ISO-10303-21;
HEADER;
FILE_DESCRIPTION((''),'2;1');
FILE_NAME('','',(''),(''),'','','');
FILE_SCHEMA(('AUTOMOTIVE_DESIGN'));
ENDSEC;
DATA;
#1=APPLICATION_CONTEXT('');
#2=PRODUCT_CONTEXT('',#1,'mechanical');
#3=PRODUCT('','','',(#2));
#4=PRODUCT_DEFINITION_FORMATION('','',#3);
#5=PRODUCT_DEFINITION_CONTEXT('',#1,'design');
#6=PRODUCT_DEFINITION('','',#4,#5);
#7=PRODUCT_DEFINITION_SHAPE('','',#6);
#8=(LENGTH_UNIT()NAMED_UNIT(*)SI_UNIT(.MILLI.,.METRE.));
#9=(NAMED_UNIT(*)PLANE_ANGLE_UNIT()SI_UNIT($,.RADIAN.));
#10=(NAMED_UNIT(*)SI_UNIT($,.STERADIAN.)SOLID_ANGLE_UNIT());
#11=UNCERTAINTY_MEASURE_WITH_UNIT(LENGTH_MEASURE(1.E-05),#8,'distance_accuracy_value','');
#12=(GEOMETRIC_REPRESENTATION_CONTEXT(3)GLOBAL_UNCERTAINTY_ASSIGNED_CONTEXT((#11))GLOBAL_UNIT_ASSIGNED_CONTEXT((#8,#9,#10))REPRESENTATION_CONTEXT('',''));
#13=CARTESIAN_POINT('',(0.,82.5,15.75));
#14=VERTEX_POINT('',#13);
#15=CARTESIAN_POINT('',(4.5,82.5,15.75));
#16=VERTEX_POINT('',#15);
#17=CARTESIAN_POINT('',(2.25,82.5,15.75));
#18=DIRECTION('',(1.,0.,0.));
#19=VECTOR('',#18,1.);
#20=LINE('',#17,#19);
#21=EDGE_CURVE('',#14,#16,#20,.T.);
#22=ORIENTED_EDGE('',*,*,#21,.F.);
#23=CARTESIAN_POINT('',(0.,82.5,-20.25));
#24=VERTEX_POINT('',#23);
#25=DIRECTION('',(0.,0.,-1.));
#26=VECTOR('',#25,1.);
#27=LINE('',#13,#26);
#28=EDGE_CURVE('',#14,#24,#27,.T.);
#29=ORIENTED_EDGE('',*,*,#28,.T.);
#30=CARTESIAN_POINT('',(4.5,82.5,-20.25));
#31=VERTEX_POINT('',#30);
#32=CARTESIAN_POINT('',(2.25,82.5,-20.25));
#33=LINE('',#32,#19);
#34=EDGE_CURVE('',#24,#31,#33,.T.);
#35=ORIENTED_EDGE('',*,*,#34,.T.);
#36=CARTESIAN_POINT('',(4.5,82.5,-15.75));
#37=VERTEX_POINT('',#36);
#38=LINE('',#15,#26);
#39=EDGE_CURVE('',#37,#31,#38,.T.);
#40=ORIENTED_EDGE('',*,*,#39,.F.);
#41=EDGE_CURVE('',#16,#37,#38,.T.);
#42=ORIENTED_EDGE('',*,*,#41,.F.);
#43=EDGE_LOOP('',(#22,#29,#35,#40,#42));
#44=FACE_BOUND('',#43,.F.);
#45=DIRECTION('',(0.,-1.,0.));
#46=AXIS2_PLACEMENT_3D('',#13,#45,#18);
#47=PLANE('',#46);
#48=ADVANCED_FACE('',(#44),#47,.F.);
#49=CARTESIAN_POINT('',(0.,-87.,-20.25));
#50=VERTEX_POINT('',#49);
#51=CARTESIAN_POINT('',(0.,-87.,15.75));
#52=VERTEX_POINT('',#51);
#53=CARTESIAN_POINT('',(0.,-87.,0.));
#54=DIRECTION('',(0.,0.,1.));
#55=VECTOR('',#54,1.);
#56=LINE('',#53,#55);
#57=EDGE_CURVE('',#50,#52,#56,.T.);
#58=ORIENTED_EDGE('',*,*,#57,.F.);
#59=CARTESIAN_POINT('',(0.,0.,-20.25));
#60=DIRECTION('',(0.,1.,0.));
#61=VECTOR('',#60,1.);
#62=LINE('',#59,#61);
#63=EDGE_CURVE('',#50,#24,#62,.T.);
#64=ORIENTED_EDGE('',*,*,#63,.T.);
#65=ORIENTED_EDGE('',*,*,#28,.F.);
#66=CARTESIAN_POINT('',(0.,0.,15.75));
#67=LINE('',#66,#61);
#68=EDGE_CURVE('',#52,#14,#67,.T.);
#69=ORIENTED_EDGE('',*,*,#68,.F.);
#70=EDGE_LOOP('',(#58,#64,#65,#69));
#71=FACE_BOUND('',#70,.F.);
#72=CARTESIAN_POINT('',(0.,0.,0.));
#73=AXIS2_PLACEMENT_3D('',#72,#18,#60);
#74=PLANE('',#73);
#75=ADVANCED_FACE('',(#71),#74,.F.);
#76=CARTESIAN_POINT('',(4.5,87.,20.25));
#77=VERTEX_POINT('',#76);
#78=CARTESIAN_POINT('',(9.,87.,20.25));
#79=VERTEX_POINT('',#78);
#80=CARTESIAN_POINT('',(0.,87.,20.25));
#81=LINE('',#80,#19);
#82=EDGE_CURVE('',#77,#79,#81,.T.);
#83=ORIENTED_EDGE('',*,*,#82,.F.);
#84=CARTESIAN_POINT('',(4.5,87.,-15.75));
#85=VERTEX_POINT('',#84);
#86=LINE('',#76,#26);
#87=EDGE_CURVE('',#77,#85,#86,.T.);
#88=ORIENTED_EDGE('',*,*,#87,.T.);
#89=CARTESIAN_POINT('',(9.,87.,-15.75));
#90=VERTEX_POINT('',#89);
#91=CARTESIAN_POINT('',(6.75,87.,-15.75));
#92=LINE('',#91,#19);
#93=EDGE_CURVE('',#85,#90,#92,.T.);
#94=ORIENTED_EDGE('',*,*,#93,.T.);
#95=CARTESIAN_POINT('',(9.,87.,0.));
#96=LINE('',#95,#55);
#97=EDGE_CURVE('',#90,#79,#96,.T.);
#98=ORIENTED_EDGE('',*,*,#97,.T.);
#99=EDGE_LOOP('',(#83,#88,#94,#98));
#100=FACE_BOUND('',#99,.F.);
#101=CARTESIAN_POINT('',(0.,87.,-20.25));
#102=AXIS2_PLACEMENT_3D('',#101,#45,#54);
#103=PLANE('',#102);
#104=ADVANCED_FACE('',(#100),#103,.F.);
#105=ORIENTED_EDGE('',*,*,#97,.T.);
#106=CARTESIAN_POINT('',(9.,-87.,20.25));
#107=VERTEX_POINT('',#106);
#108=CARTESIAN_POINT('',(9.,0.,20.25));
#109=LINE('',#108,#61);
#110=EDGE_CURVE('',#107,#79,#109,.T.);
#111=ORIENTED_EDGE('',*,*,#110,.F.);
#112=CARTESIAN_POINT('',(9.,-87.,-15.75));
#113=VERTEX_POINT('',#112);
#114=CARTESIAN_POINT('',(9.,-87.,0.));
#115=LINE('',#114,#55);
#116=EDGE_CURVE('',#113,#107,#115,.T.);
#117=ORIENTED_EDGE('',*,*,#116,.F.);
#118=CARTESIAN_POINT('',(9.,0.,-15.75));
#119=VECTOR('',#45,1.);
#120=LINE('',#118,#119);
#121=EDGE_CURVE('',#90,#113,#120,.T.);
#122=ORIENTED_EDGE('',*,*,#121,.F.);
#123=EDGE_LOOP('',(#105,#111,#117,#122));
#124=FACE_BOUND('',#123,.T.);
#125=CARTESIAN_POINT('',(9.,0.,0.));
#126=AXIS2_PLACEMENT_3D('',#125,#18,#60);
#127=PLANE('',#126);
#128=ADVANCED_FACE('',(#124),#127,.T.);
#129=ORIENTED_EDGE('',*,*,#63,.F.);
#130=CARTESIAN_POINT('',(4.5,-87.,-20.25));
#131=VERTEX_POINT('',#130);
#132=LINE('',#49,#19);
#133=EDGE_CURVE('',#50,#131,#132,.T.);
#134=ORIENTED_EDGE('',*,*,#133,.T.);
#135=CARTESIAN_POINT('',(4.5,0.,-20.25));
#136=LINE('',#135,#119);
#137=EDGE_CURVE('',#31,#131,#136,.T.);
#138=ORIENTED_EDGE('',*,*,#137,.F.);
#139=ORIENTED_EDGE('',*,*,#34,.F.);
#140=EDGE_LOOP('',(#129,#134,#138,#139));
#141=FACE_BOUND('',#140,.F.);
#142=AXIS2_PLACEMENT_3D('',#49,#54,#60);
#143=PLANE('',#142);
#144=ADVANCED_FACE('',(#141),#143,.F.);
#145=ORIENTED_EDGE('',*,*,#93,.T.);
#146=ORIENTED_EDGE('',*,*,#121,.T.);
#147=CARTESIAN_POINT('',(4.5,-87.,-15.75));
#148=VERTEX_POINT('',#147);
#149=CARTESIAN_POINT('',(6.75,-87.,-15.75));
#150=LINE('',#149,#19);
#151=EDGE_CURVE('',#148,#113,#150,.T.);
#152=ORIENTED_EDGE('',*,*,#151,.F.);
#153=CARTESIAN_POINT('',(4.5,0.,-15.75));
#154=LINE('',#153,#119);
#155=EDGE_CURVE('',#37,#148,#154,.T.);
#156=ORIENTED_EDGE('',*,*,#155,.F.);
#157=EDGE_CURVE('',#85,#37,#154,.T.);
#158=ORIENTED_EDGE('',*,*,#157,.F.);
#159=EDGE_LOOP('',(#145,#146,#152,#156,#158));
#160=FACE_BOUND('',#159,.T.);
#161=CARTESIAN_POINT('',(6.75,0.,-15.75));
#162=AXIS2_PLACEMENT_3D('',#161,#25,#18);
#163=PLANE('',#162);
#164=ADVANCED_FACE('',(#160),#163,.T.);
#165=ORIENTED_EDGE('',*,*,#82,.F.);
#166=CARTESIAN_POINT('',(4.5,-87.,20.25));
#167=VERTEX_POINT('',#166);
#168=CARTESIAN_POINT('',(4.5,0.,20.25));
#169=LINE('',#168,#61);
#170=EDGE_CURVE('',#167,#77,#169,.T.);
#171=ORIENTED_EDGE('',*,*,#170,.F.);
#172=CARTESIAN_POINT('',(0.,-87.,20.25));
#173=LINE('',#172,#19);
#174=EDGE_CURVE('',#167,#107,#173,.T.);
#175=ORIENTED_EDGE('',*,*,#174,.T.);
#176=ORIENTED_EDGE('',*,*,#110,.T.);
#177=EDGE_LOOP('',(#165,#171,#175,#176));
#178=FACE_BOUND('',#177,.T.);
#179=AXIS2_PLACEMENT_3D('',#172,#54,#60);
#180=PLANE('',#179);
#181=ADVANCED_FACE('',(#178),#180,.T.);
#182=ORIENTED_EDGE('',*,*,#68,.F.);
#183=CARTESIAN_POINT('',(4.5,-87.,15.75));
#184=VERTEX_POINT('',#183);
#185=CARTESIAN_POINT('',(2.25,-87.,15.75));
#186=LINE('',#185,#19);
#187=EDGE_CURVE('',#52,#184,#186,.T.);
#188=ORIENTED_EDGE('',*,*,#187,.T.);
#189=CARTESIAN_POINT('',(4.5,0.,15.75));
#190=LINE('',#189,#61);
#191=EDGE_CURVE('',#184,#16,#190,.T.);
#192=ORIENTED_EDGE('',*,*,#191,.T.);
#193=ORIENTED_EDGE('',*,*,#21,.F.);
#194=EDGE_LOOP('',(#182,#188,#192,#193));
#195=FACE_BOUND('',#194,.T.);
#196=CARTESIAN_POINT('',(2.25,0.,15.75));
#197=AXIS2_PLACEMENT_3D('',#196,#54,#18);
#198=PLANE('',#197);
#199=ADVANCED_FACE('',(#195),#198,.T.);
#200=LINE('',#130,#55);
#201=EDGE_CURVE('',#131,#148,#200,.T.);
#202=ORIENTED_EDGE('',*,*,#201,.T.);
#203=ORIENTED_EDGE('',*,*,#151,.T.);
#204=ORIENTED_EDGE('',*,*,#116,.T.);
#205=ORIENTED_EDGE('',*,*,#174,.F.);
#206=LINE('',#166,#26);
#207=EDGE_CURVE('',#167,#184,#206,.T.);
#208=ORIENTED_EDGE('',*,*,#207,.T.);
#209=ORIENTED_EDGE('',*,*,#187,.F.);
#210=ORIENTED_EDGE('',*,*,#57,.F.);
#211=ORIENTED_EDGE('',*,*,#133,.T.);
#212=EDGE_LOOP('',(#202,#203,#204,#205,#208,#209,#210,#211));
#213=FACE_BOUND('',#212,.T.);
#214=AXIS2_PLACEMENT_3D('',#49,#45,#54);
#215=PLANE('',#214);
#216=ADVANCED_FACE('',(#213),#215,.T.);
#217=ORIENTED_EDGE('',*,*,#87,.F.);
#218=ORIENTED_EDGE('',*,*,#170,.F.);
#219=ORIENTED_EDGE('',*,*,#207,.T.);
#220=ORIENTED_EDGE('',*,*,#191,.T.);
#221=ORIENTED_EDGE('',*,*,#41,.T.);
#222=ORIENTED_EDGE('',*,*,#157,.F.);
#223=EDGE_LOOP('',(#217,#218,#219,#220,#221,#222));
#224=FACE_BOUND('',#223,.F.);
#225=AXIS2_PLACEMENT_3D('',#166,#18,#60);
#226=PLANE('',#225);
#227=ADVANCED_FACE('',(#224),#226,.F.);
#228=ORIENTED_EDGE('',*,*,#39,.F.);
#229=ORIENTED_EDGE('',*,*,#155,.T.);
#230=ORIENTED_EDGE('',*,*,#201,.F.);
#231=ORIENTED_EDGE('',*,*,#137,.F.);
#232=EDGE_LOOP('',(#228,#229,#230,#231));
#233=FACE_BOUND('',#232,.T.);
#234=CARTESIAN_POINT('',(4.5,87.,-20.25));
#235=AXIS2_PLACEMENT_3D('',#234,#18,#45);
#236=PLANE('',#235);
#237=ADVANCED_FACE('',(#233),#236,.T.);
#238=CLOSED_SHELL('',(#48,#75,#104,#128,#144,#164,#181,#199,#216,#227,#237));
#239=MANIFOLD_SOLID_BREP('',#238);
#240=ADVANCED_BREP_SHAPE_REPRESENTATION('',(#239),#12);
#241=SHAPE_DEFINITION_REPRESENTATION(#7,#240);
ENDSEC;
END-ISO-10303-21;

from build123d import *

# Parameters (mm, degrees)
F0_W     = 174
F0_H     = 40.5
F1_DEPTH = 9
F2_W     = 4.5
F2_H     = 174
F3_DEPTH = 4.5
F4_W     = 4.5
F4_H     = 4.5
F5_DEPTH = 36
F6_W     = 4.5
F6_H     = 174
F7_DEPTH = 4.5


with BuildPart() as f1:
    # F0 (on Right) → F1 (new body)
    with BuildSketch(Plane.YZ):
        Rectangle(F0_W, F0_H)
    extrude(amount=F1_DEPTH)

    # F2 (on face) → F3 (cut)
    with BuildSketch(Plane.XY.offset(20.25)):
        with Locations((2.25, 0)):
            Rectangle(F2_W, F2_H)
    extrude(amount=-F3_DEPTH, mode=Mode.SUBTRACT)

    # F4 (on face) → F5 (cut, through all)
    with BuildSketch(Plane.XY.offset(15.75)):
        with Locations((2.25, 84.75)):
            Rectangle(F4_W, F4_H)
    extrude(amount=-F5_DEPTH, mode=Mode.SUBTRACT)

    # F6 (on face) → F7 (cut)
    with BuildSketch(Plane(origin=(0, 0, -20.25), x_dir=(1, 0, 0), z_dir=(0, 0, -1))):
        with Locations((6.75, 0)):
            Rectangle(F6_W, F6_H)
    extrude(amount=-F7_DEPTH, mode=Mode.SUBTRACT)


solid = f1.part
